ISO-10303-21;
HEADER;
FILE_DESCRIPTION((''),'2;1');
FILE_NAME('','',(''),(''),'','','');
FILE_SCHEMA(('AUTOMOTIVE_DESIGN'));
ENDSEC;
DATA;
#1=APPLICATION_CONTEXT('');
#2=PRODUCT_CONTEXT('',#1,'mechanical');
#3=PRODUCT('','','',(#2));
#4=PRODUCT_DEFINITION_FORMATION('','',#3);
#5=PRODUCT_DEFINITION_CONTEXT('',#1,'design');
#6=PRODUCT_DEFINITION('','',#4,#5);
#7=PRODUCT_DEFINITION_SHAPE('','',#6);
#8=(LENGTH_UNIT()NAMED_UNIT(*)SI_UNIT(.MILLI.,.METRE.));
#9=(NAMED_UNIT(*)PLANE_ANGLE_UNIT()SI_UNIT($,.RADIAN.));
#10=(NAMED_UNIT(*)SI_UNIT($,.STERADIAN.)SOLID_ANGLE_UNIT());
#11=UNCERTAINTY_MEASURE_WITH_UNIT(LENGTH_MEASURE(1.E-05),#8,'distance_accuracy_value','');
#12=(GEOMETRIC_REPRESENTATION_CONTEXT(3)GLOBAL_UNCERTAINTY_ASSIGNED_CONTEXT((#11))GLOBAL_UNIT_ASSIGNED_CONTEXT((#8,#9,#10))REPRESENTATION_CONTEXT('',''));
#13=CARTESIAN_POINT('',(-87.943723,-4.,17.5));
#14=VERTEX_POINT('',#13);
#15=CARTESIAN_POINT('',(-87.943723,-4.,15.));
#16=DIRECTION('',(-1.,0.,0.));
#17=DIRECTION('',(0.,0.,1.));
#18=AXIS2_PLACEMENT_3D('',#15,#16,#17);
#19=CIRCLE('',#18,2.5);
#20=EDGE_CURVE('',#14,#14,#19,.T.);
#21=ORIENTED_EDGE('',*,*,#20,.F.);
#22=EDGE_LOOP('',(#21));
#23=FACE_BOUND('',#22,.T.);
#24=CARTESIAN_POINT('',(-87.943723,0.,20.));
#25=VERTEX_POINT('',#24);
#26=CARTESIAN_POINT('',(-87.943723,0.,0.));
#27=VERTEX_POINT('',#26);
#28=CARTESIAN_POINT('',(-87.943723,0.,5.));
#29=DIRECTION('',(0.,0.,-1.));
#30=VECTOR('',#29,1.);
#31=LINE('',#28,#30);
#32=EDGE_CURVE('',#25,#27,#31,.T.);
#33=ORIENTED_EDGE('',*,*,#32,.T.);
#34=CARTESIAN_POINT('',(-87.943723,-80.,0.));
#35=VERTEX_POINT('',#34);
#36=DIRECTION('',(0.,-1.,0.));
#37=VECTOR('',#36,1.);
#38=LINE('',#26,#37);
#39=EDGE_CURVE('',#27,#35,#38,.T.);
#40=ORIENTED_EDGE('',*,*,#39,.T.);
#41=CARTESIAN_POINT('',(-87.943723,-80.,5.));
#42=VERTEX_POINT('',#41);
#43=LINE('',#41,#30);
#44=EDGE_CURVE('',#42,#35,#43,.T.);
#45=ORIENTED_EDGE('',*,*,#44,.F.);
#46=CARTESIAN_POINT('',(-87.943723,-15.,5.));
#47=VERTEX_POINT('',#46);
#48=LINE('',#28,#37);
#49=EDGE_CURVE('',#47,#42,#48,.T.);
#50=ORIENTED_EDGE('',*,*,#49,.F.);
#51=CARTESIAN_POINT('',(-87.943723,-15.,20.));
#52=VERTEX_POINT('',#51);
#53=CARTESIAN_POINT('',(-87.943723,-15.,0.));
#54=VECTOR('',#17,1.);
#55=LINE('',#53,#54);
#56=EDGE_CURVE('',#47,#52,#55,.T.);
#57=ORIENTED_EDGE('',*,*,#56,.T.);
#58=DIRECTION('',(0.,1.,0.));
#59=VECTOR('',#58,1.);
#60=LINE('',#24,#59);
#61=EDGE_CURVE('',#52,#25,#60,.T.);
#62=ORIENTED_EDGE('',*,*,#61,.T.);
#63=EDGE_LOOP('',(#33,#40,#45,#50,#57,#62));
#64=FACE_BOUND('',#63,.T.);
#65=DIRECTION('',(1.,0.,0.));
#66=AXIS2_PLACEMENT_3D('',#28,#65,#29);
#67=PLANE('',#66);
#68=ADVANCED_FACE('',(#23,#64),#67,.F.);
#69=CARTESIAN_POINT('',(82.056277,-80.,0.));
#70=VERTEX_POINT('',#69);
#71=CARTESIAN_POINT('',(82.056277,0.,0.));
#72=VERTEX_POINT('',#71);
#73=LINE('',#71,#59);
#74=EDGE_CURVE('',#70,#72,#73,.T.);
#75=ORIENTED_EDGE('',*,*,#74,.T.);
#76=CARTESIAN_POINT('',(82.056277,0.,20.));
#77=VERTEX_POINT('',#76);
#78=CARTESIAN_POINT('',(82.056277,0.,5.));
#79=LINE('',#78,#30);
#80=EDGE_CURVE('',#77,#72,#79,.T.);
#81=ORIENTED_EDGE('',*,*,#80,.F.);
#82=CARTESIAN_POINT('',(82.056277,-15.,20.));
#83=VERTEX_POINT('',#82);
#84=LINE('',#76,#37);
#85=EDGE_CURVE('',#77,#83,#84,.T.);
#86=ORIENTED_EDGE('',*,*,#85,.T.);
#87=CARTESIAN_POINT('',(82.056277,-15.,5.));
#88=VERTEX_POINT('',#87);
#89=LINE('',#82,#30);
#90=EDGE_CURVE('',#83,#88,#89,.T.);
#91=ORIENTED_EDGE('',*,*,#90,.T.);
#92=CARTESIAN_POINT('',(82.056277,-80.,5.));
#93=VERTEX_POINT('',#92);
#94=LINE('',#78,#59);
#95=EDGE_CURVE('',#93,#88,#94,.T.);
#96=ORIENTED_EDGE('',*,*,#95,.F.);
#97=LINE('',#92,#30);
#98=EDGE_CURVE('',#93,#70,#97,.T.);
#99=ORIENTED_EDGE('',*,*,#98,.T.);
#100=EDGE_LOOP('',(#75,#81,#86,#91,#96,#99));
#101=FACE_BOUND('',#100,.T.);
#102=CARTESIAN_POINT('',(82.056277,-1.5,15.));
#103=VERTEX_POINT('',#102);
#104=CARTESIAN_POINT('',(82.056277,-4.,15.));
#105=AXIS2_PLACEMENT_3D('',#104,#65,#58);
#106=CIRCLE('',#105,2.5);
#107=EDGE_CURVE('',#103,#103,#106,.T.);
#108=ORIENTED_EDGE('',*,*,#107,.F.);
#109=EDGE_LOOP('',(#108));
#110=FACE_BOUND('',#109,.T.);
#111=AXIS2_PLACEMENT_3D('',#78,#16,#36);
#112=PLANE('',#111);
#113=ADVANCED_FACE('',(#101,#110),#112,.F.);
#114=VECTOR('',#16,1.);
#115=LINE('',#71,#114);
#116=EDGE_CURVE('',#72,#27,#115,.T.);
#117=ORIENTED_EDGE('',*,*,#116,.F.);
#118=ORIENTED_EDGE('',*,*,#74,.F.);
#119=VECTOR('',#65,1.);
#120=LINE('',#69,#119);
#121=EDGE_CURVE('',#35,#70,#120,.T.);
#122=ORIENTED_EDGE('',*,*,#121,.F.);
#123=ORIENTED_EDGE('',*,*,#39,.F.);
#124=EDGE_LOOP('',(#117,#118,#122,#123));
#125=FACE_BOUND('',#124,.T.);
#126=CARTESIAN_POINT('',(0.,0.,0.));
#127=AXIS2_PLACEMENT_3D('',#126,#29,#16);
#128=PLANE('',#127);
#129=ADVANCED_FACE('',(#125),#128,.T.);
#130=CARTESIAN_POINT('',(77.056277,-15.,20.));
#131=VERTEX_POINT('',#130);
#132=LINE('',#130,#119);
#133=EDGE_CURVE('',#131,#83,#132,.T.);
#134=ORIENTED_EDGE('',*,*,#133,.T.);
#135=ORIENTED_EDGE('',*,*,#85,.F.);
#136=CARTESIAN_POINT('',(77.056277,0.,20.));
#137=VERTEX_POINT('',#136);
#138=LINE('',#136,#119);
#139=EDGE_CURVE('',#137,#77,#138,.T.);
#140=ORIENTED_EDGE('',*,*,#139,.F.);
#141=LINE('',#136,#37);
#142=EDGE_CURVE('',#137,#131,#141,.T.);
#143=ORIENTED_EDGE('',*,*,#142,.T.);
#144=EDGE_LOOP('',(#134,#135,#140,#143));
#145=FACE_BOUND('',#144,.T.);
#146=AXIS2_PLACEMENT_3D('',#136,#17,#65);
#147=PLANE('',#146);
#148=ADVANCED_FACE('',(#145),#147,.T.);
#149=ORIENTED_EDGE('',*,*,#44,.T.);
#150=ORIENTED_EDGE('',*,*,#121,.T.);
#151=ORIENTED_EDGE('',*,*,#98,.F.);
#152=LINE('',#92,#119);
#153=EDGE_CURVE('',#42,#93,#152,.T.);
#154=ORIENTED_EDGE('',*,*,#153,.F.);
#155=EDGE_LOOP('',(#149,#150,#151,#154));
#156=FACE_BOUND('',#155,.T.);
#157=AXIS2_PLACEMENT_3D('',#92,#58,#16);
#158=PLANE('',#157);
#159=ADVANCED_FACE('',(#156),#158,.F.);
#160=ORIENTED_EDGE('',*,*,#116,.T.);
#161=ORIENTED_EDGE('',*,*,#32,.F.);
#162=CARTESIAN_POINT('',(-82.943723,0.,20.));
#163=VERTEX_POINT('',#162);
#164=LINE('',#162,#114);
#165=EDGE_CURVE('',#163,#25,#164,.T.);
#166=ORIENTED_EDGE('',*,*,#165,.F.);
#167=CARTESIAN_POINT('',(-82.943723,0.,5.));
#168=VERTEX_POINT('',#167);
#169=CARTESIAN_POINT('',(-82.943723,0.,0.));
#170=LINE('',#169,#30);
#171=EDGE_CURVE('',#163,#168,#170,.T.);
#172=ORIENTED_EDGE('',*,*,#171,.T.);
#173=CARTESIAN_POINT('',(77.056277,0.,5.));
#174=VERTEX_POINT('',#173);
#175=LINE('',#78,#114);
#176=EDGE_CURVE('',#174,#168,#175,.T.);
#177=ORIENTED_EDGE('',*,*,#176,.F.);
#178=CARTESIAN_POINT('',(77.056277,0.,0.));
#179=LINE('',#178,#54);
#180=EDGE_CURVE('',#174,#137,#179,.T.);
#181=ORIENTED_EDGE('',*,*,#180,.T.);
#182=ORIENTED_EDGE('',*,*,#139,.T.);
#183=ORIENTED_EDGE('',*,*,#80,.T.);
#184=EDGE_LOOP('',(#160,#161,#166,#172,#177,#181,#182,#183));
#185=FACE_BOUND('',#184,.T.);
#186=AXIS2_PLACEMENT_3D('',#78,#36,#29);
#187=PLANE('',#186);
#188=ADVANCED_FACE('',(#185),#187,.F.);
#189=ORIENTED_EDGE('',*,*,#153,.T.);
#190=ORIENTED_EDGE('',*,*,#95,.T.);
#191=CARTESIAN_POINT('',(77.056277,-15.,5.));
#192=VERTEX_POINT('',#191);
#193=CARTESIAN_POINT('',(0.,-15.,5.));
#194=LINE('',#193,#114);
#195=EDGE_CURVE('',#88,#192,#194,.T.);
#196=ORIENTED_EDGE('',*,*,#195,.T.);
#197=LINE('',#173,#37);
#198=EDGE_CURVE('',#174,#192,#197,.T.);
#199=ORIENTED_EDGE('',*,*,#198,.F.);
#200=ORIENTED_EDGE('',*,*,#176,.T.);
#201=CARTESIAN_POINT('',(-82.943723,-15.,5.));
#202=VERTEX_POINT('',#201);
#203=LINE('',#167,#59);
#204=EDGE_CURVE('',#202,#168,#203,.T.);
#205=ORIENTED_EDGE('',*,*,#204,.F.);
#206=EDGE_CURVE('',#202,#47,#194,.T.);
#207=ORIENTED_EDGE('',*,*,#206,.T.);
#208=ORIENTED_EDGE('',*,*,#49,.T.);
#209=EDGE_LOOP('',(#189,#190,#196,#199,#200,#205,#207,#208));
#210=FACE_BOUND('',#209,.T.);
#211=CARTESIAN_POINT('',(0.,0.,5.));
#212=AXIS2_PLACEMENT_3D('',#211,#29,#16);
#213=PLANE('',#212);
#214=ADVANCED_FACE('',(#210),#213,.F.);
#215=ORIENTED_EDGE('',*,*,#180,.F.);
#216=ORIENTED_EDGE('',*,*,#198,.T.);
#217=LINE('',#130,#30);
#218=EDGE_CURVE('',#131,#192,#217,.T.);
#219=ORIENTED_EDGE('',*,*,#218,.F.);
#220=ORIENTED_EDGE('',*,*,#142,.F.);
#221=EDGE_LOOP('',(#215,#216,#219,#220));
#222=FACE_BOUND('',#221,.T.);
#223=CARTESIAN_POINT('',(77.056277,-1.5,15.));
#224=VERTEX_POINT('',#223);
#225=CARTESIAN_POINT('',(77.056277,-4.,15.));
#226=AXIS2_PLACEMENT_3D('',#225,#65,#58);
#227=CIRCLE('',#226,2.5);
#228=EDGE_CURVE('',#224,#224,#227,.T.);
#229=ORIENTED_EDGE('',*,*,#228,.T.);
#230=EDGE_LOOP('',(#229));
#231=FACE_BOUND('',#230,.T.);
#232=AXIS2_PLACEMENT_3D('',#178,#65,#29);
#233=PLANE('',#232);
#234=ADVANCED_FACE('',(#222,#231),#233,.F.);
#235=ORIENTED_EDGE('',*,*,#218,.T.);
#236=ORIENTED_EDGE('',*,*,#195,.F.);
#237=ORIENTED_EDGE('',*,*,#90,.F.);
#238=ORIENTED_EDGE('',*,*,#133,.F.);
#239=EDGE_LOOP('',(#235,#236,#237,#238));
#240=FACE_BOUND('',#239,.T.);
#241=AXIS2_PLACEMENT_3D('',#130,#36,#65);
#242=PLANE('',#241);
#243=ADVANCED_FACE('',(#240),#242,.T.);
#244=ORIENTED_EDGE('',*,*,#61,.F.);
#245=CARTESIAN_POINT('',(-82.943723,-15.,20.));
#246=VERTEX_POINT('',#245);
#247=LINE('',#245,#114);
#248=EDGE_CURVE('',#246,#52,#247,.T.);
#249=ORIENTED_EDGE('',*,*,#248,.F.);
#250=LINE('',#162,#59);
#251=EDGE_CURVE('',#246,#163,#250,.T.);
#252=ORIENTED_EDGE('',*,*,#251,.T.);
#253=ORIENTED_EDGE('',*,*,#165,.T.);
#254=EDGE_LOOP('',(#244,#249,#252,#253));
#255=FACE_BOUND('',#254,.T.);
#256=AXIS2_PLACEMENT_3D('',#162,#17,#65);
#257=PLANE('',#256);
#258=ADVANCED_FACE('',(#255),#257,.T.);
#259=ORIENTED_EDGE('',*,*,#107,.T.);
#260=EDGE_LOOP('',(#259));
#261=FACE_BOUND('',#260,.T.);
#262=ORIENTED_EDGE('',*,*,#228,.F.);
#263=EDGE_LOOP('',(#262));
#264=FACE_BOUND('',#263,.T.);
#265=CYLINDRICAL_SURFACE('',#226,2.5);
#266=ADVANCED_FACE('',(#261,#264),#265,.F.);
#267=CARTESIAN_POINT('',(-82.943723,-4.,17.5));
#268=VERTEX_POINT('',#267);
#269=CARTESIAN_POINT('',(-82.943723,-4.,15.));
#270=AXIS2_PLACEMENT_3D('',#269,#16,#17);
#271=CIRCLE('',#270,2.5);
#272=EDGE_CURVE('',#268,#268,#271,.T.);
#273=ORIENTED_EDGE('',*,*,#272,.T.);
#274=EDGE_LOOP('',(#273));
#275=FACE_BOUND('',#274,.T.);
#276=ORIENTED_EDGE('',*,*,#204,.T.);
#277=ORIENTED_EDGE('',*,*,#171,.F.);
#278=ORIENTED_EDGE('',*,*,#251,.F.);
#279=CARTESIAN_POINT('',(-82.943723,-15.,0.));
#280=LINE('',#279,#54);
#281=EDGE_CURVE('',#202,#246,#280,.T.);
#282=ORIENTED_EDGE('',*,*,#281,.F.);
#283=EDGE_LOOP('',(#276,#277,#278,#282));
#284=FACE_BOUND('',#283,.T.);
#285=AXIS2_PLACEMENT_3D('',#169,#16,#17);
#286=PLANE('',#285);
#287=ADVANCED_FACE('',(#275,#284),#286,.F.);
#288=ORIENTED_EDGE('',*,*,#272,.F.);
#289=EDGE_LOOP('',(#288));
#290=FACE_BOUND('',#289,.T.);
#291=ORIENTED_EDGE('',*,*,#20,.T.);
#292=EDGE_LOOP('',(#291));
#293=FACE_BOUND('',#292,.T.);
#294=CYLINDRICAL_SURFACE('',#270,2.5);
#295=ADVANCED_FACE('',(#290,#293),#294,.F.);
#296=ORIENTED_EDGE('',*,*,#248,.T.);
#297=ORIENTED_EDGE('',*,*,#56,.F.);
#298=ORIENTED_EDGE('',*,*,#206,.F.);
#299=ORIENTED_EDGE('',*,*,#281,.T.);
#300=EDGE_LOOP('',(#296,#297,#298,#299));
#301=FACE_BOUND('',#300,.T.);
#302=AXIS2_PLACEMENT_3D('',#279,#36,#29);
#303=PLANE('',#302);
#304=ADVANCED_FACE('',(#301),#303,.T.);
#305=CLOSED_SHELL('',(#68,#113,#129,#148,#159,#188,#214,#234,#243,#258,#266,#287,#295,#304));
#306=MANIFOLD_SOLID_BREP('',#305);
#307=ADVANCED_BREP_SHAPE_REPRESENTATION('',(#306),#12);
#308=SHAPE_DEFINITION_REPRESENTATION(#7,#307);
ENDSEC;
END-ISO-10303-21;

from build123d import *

# Parameters (mm, degrees)
SKETCH_1_W      = 170
SKETCH_1_H      = 80
EXTRUDE_1_DEPTH = 5
SKETCH_2_W      = 20
SKETCH_2_H      = 15
SKETCH_2_R      = 2.5
EXTRUDE_2_DEPTH = 5
EXTRUDE_START   = -5
SKETCH_3_W      = 20
SKETCH_3_H      = 15
SKETCH_3_R      = 2.5
EXTRUDE_3_DEPTH = 5


with BuildPart() as part:
    # 草图1 → 凸台-拉伸1 (new body)
    with BuildSketch(Plane.XY):
        with Locations((-2.943722944, -40)):
            Rectangle(SKETCH_1_W, SKETCH_1_H)
    extrude(amount=EXTRUDE_1_DEPTH)

    # 草图2 → 凸台-拉伸2 (add)
    with BuildSketch(Plane.ZY.offset(87.943722944)):
        with Locations((10, -7.5)):
            Rectangle(SKETCH_2_W, SKETCH_2_H)
        with Locations((15, -4)):
            Circle(SKETCH_2_R, mode=Mode.SUBTRACT)
    extrude(amount=-EXTRUDE_2_DEPTH)

    # 草图3 → 凸台-拉伸3 (add)
    with BuildSketch(Plane(origin=(82.056277056, 0, 0), x_dir=(0, 0, -1), z_dir=(1, 0, 0)).offset(EXTRUDE_START)):
        with Locations((-10, -7.5)):
            Rectangle(SKETCH_3_W, SKETCH_3_H)
        with Locations(Location((-15, -4, 0), (0, 0, 180))):
            Circle(SKETCH_3_R, mode=Mode.SUBTRACT)
    extrude(amount=EXTRUDE_3_DEPTH)


solid = part.part
